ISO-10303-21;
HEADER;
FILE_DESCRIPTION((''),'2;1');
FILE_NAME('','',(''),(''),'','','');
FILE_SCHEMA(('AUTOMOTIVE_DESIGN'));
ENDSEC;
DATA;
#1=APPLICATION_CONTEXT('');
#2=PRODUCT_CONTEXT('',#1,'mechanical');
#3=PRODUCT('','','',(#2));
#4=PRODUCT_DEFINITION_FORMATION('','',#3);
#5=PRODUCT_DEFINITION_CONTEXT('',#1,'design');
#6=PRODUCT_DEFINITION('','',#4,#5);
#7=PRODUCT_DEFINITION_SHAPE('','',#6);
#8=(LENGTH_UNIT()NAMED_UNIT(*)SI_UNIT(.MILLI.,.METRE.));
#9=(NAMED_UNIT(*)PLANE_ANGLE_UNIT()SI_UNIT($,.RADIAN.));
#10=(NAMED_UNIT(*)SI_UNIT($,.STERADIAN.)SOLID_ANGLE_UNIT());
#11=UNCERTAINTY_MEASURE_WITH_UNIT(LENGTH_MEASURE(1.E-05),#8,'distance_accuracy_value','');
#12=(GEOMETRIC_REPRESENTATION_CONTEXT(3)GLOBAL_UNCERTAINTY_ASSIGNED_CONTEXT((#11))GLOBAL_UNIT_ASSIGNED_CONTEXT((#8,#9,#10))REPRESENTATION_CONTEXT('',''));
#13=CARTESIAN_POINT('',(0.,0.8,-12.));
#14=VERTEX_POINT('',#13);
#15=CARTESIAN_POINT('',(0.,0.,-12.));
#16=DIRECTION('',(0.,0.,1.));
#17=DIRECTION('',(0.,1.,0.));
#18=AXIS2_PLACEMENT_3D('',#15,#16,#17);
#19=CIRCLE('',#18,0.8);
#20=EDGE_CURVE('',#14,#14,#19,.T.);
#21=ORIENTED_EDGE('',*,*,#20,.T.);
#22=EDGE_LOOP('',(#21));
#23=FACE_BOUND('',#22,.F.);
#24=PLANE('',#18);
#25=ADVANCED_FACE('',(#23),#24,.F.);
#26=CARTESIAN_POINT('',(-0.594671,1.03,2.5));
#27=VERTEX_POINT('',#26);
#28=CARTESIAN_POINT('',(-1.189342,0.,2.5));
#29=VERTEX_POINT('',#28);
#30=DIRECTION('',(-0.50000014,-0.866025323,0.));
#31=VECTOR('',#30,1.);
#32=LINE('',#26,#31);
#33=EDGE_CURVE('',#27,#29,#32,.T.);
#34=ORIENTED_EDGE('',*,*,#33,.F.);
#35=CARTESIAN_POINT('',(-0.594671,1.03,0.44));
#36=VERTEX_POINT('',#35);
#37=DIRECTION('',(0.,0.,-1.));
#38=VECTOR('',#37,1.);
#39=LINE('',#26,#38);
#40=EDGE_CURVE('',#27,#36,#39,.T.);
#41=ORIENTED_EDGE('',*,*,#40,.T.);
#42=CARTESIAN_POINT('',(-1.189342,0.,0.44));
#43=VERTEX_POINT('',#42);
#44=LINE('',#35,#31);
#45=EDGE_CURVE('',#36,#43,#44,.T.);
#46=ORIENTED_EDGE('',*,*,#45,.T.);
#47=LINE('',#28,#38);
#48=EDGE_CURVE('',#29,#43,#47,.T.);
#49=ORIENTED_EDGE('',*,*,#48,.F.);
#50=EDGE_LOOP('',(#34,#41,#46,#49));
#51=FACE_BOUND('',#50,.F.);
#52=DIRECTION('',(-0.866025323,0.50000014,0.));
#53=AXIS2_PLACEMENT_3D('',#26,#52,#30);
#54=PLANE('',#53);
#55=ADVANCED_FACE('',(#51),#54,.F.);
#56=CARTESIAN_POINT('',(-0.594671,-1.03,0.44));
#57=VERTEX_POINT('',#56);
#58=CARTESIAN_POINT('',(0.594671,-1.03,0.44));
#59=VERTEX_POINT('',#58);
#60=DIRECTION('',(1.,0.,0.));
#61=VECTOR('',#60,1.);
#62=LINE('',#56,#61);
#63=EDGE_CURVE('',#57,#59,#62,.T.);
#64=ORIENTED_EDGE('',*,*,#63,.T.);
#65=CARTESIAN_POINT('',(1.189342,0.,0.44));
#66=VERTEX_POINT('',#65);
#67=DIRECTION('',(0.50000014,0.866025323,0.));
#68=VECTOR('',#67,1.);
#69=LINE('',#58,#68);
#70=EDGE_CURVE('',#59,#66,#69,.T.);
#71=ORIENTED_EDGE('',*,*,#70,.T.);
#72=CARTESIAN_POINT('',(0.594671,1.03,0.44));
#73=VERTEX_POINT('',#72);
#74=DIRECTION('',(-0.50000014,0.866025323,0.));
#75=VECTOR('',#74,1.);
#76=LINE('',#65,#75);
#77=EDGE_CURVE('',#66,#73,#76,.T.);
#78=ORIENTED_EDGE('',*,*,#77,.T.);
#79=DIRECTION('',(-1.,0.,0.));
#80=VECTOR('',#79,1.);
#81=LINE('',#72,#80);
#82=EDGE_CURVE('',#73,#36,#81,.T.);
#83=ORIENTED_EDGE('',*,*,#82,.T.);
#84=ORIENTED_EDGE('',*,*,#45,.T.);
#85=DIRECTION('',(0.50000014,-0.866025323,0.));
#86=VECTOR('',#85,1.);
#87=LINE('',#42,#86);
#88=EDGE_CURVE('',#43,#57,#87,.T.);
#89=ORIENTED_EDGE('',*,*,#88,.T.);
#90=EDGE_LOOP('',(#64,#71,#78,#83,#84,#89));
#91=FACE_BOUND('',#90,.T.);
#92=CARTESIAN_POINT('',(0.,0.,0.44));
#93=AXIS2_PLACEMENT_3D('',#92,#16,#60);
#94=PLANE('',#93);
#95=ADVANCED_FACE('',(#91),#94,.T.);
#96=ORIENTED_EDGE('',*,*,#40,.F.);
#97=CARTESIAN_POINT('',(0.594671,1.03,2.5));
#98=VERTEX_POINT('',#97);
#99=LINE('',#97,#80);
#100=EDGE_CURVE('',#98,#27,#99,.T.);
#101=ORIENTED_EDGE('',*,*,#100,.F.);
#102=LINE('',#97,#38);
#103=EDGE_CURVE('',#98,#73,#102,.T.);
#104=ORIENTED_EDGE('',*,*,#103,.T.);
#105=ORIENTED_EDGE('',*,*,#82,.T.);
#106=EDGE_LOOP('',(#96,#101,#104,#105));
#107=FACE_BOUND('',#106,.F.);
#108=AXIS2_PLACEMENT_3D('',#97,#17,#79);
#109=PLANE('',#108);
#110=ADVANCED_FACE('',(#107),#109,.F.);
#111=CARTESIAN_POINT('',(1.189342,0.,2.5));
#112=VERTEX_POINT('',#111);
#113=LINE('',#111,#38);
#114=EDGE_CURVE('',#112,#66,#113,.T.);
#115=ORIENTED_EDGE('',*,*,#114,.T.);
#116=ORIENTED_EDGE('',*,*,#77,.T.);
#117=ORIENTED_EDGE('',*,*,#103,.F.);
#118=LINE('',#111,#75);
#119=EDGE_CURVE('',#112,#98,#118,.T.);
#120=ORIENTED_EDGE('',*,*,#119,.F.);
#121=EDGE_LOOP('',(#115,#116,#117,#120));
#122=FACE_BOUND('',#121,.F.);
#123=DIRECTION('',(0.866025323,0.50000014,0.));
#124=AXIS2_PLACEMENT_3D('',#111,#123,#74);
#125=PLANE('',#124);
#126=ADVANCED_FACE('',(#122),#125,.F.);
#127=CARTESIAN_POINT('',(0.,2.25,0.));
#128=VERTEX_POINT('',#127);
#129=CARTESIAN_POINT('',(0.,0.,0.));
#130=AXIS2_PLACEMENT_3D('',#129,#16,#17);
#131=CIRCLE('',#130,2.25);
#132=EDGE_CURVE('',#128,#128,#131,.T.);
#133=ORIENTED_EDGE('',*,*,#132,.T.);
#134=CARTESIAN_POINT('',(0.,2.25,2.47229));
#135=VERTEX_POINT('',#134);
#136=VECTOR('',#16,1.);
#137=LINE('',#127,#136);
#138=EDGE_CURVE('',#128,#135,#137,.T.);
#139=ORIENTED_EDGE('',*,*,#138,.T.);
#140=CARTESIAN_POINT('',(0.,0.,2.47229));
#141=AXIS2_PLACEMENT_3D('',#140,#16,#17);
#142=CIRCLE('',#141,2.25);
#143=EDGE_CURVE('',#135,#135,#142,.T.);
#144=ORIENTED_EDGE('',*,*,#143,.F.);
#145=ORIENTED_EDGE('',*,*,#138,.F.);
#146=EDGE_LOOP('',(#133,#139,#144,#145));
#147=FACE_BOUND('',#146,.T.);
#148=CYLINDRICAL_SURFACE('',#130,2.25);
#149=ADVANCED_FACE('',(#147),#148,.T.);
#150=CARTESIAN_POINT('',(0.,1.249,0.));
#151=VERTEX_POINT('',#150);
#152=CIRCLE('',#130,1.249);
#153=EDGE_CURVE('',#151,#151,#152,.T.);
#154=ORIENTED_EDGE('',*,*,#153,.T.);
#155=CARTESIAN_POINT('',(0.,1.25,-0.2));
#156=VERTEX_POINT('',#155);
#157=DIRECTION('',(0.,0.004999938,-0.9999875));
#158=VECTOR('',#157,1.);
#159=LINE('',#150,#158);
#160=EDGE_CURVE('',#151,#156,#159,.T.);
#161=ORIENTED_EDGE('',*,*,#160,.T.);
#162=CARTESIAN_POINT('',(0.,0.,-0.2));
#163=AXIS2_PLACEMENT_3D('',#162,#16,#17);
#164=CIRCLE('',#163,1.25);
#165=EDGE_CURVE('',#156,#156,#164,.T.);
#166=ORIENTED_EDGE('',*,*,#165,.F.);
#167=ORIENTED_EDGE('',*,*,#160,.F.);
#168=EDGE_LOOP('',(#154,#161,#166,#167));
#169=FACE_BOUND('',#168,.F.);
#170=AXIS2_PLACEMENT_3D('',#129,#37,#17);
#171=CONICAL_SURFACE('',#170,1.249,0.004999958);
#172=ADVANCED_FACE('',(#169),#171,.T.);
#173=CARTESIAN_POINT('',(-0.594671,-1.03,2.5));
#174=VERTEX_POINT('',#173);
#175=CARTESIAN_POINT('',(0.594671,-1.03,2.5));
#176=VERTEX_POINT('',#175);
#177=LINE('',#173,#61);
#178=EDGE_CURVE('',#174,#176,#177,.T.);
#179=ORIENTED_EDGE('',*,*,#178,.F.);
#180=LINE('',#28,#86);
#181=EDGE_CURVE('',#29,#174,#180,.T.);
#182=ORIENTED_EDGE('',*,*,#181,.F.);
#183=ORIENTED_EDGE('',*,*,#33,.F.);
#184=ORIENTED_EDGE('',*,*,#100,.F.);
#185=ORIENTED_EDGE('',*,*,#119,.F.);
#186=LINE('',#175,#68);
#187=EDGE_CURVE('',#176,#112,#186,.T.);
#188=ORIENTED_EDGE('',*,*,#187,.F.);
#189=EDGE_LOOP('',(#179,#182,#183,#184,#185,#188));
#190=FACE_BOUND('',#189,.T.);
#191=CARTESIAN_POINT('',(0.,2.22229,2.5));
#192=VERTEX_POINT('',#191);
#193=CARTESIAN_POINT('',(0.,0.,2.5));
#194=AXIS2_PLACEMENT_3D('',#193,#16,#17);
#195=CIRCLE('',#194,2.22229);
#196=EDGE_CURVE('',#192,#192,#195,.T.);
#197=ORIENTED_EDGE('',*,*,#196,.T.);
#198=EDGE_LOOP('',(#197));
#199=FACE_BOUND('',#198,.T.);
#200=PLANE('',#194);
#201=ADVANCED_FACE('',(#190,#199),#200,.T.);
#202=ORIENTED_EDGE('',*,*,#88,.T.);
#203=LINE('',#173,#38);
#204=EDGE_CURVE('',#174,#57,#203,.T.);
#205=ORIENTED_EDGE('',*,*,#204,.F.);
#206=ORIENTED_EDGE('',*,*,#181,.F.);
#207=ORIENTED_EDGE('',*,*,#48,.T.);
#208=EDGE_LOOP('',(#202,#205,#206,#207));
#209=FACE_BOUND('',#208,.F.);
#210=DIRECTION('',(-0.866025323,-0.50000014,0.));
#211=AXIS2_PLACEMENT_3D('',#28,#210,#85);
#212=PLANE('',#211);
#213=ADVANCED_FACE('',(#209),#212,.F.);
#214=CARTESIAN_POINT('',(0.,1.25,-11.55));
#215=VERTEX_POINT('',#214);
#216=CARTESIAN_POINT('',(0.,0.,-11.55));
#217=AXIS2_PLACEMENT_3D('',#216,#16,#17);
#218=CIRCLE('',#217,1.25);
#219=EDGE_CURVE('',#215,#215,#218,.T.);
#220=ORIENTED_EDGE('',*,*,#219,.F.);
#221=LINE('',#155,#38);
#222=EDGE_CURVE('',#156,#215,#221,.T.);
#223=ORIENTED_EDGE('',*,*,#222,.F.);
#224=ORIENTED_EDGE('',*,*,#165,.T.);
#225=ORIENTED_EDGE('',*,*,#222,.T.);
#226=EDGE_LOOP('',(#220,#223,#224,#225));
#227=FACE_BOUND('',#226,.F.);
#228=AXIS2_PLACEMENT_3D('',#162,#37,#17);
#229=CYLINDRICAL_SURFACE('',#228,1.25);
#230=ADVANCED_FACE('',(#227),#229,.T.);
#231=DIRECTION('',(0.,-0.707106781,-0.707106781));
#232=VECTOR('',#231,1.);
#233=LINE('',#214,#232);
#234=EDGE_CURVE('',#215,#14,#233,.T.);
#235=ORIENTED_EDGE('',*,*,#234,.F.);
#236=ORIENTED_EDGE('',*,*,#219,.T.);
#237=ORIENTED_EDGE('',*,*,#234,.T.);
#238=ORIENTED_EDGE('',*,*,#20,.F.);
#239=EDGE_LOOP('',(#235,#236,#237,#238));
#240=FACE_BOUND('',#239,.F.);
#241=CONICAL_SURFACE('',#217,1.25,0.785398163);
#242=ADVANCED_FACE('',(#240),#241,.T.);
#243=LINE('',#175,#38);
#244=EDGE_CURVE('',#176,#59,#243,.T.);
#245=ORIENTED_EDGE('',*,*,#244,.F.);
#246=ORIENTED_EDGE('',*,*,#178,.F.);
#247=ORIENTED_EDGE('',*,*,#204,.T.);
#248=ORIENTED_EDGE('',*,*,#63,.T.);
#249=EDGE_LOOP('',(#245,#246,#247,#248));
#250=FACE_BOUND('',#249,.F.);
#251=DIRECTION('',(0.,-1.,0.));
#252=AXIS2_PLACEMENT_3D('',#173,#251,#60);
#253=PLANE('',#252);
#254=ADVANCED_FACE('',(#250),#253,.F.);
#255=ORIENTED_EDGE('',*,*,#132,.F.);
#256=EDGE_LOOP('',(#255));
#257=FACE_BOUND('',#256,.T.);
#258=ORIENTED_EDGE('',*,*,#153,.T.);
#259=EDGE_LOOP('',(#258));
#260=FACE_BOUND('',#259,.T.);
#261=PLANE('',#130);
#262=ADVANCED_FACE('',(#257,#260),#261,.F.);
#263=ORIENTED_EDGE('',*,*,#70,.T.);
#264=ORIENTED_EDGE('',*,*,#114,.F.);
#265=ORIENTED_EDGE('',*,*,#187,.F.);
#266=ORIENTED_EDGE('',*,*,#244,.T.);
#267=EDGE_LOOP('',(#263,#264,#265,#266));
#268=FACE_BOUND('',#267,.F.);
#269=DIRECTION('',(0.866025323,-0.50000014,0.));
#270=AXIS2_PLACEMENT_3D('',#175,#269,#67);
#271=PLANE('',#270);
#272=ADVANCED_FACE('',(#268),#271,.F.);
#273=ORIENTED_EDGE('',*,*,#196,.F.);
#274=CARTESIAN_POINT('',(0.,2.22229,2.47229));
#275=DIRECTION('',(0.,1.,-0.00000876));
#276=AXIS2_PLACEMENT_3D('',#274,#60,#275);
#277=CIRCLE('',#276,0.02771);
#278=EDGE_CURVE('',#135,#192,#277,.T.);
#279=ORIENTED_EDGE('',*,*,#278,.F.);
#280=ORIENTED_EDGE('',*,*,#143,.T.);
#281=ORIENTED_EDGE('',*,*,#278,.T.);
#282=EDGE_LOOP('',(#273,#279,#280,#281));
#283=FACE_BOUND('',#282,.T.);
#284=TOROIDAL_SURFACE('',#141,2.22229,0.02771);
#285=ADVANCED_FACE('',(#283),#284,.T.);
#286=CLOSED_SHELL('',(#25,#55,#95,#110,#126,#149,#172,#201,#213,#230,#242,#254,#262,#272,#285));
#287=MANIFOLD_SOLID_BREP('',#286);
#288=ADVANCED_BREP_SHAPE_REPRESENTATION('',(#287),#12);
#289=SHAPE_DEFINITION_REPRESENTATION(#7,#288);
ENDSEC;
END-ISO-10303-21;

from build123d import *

# Parameters (mm, degrees)
POCKET_DEPTH = 2.06


with BuildPart() as part:
    # Sketch → Revolve (revolve)
    with BuildSketch(Plane.YZ):
        with BuildLine():
            Line((1.249, 0), (2.25, 0))
            Line((2.25, 0), (2.25, 2.47229))
            ThreePointArc((2.25, 2.47229), (2.241884, 2.491884), (2.22229, 2.5))
            Line((2.22229, 2.5), (0, 2.5))
            Line((0, -12), (0, 2.5))
            Line((0.8, -12), (0, -12))
            Line((1.25, -11.55), (0.8, -12))
            Line((1.25, -0.2), (1.25, -11.55))
            Line((1.249, 0), (1.25, -0.2))
        make_face()
    revolve(axis=Axis((0, 0, 0), (0, 0, 1)))

    # Sketch001 → Pocket (cut)
    with BuildSketch(Plane.XY.offset(2.5)):
        Polygon((1.189342, 0), (0.594671, 1.03), (-0.594671, 1.03), (-1.189342, 0), (-0.594671, -1.03), (0.594671, -1.03), align=None)
    extrude(amount=-POCKET_DEPTH, mode=Mode.SUBTRACT)


solid = part.part
